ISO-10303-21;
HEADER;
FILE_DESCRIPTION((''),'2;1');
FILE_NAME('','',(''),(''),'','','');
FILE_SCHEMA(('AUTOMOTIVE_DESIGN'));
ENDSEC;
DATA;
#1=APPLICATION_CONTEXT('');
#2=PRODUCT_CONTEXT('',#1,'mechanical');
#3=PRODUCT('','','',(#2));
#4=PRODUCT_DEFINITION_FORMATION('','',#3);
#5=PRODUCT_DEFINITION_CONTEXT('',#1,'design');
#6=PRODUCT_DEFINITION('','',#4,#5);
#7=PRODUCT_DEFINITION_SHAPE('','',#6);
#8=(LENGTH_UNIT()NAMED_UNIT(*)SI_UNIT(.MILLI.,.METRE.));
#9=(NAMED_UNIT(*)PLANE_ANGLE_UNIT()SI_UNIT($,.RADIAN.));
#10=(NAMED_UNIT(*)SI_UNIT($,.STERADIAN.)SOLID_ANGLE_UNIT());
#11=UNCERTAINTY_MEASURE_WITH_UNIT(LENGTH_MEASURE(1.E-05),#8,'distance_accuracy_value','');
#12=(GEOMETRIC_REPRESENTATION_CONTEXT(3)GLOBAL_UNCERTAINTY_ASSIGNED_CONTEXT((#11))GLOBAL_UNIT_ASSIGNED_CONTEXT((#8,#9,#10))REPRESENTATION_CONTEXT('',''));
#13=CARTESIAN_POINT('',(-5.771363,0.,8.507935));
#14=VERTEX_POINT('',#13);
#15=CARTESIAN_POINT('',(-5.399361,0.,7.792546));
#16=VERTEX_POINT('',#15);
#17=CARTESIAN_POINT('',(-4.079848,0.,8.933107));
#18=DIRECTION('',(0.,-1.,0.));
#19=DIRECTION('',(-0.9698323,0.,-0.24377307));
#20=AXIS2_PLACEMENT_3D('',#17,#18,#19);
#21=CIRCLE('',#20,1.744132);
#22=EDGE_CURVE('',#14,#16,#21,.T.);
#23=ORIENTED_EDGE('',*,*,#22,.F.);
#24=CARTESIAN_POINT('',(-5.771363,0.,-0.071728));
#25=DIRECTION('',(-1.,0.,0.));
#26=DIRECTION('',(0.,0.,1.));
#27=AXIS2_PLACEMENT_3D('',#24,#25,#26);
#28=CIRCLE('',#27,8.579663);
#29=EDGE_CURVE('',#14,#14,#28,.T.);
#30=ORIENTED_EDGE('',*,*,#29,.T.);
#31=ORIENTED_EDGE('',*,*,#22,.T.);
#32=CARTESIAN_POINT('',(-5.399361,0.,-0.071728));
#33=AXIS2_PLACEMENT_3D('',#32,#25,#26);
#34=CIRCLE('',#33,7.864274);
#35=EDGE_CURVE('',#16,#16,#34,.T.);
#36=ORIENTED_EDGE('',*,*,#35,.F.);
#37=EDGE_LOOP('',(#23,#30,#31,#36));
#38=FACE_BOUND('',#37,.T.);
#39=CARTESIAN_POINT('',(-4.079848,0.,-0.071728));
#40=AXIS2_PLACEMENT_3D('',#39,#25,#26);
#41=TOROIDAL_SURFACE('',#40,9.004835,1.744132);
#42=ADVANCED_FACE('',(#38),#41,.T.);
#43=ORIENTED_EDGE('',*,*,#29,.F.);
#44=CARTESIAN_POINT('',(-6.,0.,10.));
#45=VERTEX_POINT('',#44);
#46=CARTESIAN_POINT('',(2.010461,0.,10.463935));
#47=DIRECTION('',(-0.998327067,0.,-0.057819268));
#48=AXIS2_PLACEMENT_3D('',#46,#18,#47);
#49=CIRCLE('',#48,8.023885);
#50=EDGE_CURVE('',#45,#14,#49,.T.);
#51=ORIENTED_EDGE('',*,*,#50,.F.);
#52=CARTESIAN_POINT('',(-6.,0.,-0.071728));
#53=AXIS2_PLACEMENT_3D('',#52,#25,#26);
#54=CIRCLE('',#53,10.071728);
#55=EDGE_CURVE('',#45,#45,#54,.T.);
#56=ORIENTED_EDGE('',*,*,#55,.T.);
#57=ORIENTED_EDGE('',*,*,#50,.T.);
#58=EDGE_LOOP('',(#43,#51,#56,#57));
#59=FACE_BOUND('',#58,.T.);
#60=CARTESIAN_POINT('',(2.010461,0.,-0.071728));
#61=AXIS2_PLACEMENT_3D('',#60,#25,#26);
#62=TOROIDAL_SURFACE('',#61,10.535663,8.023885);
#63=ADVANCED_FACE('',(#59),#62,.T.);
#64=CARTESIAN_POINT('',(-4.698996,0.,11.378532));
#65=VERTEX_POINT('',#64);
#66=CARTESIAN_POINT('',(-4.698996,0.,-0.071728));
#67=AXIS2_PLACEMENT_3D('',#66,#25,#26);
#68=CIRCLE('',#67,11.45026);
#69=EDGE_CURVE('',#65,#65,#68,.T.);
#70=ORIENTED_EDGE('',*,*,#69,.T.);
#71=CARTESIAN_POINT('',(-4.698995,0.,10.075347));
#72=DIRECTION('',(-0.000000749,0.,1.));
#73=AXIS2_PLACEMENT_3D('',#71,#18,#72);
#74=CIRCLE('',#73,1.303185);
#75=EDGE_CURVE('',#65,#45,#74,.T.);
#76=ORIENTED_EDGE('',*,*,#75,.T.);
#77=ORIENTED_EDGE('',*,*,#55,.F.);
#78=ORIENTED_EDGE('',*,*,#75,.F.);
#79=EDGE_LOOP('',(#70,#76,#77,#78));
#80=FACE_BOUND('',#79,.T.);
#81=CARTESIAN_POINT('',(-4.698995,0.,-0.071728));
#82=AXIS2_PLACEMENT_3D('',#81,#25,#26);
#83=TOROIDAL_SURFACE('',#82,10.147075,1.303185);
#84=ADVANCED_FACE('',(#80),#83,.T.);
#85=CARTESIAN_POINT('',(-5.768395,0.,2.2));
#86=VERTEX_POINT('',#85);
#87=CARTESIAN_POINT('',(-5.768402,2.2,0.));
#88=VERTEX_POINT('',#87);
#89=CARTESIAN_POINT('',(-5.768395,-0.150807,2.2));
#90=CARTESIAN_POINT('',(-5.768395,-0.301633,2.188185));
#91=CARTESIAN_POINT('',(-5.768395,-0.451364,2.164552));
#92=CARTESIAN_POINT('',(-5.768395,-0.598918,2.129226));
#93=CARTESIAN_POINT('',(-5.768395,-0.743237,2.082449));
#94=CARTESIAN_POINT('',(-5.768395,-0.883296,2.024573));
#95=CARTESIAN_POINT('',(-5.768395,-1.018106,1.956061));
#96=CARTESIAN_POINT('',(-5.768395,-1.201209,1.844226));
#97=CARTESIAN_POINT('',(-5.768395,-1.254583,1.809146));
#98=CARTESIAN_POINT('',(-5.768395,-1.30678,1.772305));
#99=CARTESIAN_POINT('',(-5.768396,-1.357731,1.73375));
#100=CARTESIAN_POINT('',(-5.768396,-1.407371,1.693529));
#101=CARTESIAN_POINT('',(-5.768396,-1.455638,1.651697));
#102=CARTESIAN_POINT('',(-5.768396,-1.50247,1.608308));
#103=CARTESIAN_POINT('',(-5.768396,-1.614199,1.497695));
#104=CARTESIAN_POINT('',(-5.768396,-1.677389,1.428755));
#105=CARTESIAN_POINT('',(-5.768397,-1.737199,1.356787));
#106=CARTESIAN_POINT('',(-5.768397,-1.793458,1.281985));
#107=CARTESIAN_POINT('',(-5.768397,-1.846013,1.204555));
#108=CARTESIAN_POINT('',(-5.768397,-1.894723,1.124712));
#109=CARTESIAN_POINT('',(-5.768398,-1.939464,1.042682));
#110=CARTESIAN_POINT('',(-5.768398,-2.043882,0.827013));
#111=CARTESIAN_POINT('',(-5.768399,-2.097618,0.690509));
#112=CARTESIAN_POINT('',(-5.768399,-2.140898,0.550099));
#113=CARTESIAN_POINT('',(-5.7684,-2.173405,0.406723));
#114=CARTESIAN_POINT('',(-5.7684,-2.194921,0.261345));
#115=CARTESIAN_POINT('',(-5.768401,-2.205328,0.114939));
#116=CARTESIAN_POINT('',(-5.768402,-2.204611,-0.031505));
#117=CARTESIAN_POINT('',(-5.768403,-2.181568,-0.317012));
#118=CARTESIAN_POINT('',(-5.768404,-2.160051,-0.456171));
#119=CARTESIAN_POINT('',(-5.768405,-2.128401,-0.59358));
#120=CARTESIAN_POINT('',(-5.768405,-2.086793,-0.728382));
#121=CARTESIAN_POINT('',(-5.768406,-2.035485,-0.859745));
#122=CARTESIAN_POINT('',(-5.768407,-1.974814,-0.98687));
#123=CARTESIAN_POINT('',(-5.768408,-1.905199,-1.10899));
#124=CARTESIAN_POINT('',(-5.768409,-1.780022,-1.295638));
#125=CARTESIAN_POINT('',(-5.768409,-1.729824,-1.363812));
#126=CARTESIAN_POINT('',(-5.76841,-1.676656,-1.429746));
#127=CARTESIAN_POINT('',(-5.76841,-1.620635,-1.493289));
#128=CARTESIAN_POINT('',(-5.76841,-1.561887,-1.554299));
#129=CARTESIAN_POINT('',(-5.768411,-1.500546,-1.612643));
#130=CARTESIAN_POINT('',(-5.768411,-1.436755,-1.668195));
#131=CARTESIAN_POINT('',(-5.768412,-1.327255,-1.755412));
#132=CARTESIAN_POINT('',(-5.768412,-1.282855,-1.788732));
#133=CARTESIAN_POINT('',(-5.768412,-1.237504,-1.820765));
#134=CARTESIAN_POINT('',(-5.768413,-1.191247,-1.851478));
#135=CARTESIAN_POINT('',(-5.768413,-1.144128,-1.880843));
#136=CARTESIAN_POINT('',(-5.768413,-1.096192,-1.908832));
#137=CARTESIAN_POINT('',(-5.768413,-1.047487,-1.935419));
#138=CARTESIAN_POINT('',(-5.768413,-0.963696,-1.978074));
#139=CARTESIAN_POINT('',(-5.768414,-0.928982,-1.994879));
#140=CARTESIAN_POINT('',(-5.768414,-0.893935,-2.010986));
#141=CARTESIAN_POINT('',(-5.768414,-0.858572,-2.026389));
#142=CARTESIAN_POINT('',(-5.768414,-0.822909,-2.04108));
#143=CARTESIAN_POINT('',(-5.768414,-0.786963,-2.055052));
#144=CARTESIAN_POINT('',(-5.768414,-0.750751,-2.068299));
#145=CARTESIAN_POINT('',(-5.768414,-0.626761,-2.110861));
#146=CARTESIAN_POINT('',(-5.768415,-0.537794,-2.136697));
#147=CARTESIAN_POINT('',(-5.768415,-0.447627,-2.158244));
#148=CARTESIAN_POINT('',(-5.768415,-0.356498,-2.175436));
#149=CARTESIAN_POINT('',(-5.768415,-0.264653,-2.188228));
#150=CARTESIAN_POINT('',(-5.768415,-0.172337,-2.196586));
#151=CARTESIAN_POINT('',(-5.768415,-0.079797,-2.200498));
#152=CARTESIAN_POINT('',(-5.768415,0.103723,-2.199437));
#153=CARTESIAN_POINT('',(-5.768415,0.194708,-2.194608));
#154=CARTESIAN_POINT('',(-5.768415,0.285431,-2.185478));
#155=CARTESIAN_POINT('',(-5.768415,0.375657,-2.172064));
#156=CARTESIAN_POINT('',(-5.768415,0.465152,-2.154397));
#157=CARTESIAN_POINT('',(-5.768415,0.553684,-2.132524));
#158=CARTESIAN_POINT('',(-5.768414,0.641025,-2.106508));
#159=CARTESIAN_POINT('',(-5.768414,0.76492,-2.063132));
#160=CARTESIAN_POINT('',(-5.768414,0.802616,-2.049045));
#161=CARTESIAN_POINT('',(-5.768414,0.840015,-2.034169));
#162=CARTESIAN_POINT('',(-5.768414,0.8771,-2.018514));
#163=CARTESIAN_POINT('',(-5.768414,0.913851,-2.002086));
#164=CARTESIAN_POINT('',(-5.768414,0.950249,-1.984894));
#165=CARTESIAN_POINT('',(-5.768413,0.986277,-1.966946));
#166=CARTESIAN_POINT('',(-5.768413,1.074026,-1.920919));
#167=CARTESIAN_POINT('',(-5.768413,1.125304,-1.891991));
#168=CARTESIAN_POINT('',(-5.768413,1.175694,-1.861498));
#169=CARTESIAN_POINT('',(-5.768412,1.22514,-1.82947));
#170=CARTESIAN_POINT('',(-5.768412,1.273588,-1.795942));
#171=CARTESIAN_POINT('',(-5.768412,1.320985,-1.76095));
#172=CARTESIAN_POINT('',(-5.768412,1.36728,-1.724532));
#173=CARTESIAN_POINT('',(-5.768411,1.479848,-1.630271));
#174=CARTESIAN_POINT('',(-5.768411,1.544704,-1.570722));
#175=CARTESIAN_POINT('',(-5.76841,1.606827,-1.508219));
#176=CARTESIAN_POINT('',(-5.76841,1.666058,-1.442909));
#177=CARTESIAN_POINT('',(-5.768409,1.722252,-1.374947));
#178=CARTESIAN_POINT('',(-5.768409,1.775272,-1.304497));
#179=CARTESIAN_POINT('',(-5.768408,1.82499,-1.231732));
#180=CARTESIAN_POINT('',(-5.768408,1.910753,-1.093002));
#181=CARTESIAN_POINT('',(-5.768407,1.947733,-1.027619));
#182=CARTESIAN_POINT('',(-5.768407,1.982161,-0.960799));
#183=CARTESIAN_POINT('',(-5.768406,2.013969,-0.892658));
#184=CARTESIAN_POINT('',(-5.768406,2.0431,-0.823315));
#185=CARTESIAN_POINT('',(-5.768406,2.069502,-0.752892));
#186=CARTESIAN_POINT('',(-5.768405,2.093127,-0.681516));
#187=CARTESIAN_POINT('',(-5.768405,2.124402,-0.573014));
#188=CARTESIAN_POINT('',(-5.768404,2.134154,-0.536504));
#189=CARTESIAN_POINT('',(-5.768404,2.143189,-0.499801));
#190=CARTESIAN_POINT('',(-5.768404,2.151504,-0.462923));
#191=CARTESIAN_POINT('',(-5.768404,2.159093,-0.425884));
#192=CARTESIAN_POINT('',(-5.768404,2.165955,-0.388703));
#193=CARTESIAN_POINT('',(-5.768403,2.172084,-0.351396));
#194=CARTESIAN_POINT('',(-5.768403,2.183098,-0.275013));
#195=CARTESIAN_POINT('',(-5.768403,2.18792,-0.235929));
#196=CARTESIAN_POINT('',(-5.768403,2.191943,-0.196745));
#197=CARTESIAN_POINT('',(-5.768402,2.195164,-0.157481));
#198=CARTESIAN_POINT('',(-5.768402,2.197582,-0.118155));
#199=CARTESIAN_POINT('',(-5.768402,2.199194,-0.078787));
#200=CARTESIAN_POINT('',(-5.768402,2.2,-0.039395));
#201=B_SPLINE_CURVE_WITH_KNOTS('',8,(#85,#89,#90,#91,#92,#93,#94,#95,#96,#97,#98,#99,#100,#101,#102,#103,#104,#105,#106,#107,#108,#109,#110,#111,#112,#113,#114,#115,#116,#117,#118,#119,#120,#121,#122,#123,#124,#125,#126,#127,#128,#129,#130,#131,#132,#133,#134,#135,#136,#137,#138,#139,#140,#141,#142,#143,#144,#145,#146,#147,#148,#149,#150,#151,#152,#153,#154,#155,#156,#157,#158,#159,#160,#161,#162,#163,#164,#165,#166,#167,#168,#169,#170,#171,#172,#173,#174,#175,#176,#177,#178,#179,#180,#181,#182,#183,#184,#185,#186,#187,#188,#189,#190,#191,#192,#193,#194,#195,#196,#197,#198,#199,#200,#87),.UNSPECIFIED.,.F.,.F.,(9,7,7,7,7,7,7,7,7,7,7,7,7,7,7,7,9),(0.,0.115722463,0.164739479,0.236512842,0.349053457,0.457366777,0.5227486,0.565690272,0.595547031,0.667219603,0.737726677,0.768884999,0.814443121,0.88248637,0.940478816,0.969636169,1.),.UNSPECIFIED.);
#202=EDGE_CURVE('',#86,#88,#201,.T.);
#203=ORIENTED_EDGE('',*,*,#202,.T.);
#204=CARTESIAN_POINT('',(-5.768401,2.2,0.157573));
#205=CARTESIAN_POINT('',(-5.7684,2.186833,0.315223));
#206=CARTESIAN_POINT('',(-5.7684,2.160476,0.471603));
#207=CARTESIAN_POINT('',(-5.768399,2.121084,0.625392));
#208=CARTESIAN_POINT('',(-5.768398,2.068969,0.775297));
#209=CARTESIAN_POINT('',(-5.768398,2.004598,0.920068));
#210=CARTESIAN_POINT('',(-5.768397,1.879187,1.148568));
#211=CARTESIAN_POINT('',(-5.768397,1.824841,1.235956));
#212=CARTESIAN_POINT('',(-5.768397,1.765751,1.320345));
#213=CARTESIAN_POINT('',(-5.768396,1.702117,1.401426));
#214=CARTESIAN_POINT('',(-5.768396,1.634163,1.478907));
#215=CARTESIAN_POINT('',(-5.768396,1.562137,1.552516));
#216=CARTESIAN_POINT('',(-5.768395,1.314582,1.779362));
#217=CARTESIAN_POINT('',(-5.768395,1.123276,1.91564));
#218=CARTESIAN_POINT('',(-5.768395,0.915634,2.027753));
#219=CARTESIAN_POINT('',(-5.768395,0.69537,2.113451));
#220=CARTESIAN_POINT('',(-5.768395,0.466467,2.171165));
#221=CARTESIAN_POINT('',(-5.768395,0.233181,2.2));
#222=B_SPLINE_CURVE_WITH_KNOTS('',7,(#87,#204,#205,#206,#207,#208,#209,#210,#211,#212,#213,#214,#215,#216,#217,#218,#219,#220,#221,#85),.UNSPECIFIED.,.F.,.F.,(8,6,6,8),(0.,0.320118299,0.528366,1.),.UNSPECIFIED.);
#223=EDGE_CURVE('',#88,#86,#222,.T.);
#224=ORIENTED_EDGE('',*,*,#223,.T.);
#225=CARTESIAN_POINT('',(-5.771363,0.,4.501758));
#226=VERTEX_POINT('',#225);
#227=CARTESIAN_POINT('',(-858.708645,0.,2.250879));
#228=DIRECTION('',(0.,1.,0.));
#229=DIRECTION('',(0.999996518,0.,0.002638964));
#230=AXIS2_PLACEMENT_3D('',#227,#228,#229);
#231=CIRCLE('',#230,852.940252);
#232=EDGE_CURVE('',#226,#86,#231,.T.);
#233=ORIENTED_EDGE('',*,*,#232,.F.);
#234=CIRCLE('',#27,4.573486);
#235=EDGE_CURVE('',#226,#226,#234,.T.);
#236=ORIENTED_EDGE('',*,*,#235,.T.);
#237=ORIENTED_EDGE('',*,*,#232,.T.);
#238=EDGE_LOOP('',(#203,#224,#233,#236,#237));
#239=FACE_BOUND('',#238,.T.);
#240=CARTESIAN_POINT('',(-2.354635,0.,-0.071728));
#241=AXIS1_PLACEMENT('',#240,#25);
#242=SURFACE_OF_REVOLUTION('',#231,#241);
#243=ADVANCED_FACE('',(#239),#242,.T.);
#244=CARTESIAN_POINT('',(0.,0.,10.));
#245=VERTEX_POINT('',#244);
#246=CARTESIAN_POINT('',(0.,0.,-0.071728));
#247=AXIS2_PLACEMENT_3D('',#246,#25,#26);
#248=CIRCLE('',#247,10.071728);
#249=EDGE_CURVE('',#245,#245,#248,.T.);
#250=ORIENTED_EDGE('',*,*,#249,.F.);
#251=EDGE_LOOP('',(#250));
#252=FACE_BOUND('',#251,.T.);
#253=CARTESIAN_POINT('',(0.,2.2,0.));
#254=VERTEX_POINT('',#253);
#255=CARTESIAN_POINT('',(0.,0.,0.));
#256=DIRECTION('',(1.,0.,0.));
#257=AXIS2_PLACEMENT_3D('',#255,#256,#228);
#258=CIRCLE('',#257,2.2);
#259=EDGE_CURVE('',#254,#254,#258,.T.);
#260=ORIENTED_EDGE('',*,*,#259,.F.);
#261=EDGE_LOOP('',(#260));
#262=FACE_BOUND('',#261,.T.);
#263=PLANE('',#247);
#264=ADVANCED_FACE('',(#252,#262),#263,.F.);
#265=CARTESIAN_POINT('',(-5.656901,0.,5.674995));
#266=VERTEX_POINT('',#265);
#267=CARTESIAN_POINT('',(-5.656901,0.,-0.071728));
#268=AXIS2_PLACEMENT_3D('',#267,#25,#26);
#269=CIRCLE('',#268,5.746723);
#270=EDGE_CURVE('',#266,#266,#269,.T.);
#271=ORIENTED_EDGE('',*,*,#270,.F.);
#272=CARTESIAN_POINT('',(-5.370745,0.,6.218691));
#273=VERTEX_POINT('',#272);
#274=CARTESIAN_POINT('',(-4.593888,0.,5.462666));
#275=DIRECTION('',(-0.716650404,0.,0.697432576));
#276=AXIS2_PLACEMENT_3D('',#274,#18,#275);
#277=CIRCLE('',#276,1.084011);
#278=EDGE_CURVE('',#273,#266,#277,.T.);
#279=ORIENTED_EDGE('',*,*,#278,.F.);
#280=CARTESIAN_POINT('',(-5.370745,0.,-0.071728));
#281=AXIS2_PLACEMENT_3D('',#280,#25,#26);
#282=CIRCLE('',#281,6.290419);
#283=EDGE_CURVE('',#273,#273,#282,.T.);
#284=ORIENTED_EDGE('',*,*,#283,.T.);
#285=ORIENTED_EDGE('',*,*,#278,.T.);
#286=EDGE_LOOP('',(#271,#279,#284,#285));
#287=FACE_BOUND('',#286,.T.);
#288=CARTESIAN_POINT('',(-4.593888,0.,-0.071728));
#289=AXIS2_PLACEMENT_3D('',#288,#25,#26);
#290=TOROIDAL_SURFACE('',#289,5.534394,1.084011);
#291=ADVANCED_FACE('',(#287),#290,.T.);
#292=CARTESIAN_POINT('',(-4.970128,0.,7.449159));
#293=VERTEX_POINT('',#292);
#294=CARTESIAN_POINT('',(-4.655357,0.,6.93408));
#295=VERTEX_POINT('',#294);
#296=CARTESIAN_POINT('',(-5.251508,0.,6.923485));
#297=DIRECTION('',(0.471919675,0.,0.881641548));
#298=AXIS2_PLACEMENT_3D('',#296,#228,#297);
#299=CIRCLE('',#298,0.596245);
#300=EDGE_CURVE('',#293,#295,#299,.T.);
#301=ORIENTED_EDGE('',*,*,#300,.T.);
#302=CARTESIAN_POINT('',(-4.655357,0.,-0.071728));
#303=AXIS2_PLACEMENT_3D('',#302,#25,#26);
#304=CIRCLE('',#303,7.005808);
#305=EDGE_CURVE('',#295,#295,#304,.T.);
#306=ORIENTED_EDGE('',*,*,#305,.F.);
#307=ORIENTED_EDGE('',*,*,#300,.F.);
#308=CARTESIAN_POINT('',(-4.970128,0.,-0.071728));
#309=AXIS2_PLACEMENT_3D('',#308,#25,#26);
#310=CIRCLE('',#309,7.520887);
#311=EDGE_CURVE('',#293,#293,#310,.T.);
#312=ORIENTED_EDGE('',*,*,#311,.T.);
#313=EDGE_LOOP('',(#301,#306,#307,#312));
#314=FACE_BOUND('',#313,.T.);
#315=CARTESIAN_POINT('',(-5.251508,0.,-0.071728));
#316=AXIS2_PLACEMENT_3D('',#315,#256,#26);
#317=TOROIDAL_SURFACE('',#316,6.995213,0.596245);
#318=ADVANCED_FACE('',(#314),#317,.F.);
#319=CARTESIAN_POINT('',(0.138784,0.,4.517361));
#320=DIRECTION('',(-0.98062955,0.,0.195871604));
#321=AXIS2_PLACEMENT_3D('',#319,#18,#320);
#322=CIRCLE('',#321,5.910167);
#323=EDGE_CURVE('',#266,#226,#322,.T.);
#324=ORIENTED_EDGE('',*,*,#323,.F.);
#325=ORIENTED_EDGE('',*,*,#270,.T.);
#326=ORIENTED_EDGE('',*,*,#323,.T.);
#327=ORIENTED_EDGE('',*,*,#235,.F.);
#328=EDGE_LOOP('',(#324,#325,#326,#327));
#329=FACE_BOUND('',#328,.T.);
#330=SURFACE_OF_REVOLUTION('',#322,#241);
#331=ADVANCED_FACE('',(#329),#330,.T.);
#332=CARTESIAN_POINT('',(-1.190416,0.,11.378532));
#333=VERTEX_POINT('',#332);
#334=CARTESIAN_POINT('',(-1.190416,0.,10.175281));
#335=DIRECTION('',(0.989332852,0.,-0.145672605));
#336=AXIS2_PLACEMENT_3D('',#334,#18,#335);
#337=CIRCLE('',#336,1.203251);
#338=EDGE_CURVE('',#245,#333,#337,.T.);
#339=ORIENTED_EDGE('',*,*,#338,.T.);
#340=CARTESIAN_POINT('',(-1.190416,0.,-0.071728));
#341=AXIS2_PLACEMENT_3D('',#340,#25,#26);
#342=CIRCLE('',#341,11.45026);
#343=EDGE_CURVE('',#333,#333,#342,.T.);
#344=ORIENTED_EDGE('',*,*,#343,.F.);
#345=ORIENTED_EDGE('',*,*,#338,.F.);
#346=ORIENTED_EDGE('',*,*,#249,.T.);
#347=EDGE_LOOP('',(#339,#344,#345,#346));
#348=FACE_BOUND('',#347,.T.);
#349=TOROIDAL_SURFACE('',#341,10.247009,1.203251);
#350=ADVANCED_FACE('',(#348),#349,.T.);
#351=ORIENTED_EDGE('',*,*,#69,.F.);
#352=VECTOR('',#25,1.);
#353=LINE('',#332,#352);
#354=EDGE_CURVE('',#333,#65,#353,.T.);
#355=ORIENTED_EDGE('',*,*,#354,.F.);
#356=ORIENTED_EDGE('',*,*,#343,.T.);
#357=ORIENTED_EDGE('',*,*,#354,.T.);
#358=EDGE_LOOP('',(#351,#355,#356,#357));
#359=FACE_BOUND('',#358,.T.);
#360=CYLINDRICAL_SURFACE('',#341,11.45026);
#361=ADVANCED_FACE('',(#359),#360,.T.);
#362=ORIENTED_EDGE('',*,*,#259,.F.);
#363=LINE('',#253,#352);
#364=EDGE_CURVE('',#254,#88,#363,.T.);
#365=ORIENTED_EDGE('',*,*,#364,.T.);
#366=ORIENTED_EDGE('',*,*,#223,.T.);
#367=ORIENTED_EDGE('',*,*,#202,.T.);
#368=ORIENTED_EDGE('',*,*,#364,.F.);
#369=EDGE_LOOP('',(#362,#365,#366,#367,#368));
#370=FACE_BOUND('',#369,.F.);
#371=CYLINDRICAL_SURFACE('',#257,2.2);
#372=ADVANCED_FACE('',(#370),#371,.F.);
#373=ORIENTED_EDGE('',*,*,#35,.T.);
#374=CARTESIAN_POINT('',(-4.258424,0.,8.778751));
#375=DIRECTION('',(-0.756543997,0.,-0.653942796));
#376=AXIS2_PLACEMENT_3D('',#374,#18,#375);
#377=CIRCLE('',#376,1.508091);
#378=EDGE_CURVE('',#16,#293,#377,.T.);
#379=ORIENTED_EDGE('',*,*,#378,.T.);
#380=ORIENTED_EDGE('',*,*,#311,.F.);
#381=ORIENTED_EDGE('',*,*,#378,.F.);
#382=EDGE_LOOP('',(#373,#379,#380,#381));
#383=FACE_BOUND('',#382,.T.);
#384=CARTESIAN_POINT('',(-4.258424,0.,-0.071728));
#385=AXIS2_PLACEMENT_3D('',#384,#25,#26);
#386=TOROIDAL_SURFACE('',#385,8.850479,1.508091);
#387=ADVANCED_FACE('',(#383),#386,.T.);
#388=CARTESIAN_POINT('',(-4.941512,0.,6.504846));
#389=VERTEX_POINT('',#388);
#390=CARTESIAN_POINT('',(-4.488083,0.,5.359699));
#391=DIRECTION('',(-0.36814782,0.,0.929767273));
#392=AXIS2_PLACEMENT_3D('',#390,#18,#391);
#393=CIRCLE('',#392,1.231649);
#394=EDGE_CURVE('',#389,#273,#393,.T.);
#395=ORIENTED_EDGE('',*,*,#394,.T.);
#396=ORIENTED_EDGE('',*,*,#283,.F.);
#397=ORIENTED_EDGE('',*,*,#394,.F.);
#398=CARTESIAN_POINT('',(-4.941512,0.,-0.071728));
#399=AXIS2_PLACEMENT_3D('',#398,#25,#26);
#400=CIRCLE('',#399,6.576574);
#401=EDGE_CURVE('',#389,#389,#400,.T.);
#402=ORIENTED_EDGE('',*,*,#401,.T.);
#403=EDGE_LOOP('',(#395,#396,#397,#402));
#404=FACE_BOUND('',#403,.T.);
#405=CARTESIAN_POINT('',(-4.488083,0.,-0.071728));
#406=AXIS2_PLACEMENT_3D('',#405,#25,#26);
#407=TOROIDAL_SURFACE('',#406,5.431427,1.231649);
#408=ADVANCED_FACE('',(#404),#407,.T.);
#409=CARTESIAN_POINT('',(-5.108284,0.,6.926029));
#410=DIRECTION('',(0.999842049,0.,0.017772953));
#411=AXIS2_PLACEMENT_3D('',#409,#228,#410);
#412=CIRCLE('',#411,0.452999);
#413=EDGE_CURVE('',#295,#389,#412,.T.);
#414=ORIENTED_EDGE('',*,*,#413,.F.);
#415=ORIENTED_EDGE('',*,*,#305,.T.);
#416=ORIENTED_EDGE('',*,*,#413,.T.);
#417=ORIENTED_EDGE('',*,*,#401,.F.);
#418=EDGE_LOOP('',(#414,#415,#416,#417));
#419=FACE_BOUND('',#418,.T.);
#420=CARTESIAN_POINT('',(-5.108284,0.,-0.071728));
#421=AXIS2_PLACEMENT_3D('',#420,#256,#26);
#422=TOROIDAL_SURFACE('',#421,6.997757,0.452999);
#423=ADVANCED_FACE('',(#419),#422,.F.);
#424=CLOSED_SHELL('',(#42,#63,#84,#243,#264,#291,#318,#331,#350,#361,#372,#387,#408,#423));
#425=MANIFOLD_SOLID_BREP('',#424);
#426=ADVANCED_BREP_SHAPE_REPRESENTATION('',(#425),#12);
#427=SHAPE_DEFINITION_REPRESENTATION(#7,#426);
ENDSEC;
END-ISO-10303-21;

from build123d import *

# Parameters (mm, degrees)
F2_R     = 2.2
F2_R_2   = 0.071728
F3_DEPTH = 25


with BuildPart() as f1:
    # F0 (on Front) → F1 (revolve)
    with BuildSketch(Plane.XZ):
        with BuildLine():
            Line((-5.771363, 0), (0, 0))
            Line((0, 0), (0, 10))
            ThreePointArc((0, 10), (-0.279724, 10.961699), (-1.190416, 11.378532))
            Line((-1.190416, 11.378532), (-4.698996, 11.378532))
            ThreePointArc((-4.698996, 11.378532), (-5.646751, 10.969802), (-6, 10))
            ThreePointArc((-6, 10), (-5.920846, 9.248579), (-5.771363, 8.507935))
            ThreePointArc((-5.771363, 8.507935), (-5.627271, 8.128448), (-5.399361, 7.792546))
            ThreePointArc((-5.399361, 7.792546), (-5.200522, 7.601131), (-4.970128, 7.449159))
            ThreePointArc((-4.970128, 7.449159), (-4.742743, 7.234397), (-4.655357, 6.93408))
            ThreePointArc((-4.655357, 6.93408), (-4.731366, 6.674751), (-4.941512, 6.504846))
            ThreePointArc((-4.941512, 6.504846), (-5.171279, 6.384493), (-5.370745, 6.218691))
            ThreePointArc((-5.370745, 6.218691), (-5.553149, 5.967541), (-5.656901, 5.674995))
            ThreePointArc((-5.656901, 5.674995), (-5.743456, 5.091237), (-5.771363, 4.501758))
            ThreePointArc((-5.771363, 4.501758), (-5.768393, 2.250879), (-5.771363, 0))
        make_face()
    revolve(axis=Axis((-2.354635, 0, -0.071728), (-1, 0, 0)))

    # F2 (on face) → F3 (cut)
    with BuildSketch(Plane.YZ):
        Circle(F2_R)
        with Locations((0, -0.071728)):
            Circle(F2_R_2, mode=Mode.SUBTRACT)
    extrude(amount=-F3_DEPTH, mode=Mode.SUBTRACT)


solid = f1.part
